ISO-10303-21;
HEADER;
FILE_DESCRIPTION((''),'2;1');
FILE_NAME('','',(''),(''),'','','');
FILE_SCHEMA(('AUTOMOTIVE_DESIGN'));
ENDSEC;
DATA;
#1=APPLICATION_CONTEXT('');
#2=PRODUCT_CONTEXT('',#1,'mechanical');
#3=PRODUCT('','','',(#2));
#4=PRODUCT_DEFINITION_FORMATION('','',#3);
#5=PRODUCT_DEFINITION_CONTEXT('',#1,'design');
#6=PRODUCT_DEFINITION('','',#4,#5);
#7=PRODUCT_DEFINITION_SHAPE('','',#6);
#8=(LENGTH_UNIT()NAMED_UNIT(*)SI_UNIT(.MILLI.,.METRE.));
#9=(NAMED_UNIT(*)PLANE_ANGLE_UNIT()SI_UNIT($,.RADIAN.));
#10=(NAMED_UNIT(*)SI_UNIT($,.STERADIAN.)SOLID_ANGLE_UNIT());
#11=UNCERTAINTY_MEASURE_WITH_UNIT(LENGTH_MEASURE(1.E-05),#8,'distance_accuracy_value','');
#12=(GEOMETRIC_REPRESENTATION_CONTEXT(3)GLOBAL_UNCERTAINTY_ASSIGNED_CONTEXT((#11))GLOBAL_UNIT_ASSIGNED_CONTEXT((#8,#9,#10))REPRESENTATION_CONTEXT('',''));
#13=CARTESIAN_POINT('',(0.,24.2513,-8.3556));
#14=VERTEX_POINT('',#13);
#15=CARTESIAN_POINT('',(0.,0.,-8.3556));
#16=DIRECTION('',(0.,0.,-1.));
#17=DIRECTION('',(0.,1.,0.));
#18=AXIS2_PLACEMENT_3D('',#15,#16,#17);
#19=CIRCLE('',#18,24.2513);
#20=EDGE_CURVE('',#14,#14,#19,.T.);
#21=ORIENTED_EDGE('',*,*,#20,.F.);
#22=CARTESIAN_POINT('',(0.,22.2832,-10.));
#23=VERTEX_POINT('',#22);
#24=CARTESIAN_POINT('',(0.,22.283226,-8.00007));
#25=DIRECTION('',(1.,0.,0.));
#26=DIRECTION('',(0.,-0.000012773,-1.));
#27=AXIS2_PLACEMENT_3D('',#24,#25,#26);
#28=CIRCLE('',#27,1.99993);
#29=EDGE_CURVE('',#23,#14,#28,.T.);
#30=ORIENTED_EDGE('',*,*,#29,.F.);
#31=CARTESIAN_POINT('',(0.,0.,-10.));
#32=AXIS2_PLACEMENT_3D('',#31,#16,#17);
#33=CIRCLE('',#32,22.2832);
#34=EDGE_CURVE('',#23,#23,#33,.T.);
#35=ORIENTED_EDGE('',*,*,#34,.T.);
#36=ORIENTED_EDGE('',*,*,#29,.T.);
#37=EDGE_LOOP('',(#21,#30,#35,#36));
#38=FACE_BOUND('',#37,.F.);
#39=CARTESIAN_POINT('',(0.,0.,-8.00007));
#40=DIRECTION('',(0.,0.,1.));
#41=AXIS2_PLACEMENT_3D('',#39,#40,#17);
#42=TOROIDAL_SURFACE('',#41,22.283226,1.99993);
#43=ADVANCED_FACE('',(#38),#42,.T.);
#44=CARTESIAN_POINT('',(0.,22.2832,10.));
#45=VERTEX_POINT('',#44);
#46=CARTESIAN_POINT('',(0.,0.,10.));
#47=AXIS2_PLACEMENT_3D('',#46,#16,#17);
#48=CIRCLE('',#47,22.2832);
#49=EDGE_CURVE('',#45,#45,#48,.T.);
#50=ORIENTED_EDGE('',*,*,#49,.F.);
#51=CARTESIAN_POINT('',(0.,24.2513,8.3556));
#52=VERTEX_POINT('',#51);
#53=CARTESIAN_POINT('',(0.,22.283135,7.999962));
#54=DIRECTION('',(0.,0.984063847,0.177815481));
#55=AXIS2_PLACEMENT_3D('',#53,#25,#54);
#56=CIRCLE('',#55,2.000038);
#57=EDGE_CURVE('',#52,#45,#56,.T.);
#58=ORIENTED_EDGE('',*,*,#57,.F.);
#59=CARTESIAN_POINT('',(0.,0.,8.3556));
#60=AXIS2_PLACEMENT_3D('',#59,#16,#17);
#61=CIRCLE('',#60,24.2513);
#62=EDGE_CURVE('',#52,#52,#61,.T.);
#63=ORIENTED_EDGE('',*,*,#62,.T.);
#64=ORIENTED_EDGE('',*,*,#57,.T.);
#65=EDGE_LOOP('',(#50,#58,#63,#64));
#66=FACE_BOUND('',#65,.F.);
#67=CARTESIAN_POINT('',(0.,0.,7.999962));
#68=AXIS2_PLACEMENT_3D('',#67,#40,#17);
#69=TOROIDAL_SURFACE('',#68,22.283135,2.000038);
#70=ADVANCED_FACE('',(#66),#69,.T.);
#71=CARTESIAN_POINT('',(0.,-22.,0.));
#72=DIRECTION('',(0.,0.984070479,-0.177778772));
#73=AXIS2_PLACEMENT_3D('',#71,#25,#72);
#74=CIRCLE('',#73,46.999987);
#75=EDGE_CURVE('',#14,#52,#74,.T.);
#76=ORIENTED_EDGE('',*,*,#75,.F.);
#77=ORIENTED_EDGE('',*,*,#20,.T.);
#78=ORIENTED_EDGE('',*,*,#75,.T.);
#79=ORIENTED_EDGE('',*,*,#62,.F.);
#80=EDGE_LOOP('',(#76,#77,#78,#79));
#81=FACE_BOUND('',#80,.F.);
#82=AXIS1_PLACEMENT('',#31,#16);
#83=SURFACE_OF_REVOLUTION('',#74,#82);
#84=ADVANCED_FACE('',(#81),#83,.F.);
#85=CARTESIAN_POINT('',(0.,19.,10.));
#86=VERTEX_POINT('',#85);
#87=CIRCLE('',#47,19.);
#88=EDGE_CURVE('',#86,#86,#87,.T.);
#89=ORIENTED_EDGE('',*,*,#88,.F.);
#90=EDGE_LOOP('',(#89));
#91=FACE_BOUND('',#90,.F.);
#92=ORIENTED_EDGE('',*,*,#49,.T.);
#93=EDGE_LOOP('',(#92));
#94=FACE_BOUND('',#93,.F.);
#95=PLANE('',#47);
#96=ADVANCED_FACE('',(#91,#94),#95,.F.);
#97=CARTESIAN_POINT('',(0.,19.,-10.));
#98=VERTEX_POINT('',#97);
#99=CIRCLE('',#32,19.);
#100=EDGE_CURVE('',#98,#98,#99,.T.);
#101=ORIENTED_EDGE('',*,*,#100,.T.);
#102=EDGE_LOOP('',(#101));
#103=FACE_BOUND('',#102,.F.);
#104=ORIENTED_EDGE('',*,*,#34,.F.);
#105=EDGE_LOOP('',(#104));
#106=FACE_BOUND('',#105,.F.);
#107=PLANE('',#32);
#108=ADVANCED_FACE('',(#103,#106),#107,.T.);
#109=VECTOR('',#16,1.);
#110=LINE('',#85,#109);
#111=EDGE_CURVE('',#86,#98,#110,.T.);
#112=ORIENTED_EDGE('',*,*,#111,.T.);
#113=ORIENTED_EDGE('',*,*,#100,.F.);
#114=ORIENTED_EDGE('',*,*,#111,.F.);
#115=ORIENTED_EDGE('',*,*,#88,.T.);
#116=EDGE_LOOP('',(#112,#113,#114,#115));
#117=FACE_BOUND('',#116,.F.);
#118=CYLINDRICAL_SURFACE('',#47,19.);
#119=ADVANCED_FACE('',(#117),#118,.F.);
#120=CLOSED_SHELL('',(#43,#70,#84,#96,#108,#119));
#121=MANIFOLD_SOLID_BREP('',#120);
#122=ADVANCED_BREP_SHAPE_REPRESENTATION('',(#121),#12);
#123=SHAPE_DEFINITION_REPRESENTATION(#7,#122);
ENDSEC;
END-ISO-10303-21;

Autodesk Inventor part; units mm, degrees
sketch "Sketch_1" plane through (0, 0, 0) normal (1, 0, 0) x (0, 1, 0)
  line L0 (0, -10) -> (0, 10)
  line L1 (22.2832, 10) -> (19, 10)
  line L2 (19, 10) -> (19, -10)
  line L3 (19, -10) -> (22.2832, -10)
  arc A0 (22.2832, -10) -> (24.2513, -8.3556) centre (22.2832, -8) ccw
  arc A1 (24.2513, -8.3556) -> (24.2513, 8.3556) centre (-22, 0) ccw
  arc A2 (24.2513, 8.3556) -> (22.2832, 10) centre (22.2832, 8) ccw
revolve "Revolution1" add sketch "Sketch_1" angle 360 about axis through (0, 0, -10) along (0, 0, -1)
ref_plane "to_bearing_XY" through (0, 0, 0) normal (0, 0, 1) x (1, 0, 0)
ref_plane "to_bearing_YZ" through (0, 0, 0) normal (1, 0, 0) x (0, 1, 0)
ref_plane "to_bearing_ZX" through (0, 0, 0) normal (0, 1, 0) x (0, 0, 1)
properties part number "CHAMJ-E50-Rwheel"
